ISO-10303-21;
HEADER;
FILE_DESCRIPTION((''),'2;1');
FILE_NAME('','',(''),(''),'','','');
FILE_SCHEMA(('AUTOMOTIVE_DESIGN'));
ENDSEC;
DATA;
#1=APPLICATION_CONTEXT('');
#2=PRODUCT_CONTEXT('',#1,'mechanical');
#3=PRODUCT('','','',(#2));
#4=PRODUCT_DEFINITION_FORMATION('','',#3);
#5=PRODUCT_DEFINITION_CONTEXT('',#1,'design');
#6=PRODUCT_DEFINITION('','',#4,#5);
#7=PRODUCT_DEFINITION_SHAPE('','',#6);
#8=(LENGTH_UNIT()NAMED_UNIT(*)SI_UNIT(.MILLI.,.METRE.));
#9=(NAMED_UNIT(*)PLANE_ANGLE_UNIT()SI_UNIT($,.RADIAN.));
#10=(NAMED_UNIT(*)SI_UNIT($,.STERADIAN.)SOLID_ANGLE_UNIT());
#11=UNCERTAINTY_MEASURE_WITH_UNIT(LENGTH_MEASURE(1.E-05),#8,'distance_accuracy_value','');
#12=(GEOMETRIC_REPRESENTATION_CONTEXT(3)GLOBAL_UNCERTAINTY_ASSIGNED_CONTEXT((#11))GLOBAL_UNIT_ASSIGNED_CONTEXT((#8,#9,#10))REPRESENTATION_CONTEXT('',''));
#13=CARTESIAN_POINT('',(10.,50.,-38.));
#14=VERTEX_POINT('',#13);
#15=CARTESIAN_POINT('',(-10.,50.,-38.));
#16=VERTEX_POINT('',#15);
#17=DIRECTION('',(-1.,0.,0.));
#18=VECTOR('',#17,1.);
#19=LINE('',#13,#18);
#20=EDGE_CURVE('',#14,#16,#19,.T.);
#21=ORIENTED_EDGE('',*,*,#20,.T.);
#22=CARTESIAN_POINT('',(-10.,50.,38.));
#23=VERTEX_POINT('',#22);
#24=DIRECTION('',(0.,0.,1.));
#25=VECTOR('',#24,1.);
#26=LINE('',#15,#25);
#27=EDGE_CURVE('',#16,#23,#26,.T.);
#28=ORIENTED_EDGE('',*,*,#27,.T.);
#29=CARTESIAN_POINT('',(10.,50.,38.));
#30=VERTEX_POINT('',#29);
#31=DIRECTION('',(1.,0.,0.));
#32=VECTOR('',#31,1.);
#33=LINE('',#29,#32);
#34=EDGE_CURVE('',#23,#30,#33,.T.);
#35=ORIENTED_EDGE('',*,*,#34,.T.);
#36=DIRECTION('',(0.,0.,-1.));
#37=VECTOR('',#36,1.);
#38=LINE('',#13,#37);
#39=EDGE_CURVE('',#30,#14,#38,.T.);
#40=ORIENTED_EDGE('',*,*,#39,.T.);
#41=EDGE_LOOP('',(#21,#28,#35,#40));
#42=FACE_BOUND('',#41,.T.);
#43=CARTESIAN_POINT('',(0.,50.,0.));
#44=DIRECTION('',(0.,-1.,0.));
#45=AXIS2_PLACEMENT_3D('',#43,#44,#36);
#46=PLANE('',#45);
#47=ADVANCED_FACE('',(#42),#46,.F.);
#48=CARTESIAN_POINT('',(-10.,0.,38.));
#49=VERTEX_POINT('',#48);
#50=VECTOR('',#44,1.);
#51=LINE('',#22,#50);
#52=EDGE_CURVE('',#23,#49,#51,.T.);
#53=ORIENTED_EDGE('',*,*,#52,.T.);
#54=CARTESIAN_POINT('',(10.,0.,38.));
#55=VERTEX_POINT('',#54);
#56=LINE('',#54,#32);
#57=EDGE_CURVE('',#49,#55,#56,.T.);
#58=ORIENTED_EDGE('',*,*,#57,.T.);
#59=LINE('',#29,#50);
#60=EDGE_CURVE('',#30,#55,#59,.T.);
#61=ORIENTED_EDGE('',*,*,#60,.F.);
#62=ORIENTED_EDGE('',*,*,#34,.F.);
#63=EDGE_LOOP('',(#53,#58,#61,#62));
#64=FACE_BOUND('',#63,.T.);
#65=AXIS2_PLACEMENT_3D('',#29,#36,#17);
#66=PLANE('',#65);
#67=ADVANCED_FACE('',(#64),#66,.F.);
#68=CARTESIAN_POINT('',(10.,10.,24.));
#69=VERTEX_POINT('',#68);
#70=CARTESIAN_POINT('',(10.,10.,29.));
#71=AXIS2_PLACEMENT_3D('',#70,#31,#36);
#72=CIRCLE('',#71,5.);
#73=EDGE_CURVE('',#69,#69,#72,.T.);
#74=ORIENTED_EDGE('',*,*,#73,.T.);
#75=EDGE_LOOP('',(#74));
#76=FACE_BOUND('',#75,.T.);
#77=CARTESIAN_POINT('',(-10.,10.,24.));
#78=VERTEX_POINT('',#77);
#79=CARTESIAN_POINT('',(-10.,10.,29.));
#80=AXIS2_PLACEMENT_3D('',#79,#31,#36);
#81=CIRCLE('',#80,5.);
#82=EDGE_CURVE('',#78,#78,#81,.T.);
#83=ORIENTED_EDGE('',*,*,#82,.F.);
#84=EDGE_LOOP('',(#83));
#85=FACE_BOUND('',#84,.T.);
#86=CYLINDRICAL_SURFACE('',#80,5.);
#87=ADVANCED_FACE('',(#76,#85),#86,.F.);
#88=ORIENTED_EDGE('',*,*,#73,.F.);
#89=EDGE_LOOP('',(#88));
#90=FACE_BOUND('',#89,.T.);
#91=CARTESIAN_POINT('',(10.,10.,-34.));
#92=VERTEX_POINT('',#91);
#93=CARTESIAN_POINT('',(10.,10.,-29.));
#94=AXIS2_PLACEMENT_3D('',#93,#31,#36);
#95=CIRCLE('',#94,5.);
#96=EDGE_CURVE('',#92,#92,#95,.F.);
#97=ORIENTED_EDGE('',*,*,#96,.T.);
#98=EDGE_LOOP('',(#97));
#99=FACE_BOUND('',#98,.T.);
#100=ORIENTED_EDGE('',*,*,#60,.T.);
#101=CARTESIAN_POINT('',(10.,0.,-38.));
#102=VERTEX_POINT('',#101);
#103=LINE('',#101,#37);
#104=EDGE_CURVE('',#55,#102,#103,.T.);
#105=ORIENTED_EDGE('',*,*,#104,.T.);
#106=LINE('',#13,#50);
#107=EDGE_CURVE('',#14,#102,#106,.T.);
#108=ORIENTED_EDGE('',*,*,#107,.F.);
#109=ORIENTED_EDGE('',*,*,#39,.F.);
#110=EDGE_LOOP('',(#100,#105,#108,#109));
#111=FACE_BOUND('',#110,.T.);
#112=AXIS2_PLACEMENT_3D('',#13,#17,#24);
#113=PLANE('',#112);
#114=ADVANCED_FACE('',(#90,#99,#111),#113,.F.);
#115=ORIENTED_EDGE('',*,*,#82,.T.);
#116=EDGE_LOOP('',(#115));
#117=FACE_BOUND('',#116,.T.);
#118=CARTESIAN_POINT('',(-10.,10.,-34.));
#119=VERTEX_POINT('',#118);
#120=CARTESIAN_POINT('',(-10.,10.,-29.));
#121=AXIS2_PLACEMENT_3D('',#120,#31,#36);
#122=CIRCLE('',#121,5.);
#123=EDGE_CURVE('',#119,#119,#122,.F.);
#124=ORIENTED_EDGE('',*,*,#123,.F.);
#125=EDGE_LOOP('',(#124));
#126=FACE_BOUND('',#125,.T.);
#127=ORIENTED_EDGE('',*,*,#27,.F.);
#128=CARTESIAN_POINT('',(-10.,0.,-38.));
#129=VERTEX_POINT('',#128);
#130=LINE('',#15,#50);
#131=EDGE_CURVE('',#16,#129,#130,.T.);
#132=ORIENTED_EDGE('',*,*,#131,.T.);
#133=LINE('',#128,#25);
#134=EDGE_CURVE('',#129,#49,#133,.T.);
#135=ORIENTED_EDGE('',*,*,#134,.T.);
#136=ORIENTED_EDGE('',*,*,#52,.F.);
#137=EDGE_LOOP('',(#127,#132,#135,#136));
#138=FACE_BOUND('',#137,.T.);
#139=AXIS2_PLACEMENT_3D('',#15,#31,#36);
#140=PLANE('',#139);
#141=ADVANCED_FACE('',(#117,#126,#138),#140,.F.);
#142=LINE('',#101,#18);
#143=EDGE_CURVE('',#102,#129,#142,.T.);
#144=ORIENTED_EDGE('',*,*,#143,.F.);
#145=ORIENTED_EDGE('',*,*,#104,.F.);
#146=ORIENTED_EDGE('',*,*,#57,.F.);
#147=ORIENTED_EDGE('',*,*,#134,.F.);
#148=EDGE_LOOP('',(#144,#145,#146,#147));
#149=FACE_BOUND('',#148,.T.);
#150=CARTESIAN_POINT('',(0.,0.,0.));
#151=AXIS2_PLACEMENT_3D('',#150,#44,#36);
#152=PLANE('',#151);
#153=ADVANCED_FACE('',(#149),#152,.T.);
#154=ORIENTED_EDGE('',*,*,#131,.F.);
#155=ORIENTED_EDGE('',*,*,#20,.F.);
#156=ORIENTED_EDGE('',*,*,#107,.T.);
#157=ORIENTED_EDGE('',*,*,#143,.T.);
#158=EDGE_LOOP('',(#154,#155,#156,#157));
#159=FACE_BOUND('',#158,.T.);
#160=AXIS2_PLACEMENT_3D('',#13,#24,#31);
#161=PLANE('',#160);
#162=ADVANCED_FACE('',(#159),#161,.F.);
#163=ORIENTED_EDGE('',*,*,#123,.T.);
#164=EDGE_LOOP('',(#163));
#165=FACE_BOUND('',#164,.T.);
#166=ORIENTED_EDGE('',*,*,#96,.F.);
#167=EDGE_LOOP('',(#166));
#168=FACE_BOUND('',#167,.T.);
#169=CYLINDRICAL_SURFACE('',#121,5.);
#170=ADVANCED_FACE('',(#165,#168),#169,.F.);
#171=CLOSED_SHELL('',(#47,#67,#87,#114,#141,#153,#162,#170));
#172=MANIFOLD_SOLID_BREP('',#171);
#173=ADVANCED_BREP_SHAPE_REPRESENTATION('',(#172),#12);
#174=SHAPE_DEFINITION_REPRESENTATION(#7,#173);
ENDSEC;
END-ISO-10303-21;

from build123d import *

# Parameters (mm, degrees)
SKETCH1_W           = 20
SKETCH1_H           = 76
BOSS_EXTRUDE1_DEPTH = 50
SKETCH2_R           = 5
CUT_EXTRUDE2_DEPTH  = 66.909028213


with BuildPart() as part:
    # Sketch1 → Boss-Extrude1 (new body)
    with BuildSketch(Plane(origin=(0, 0, 0), x_dir=(1, 0, 0), z_dir=(0, 1, 0))):
        Rectangle(SKETCH1_W, SKETCH1_H)
    extrude(amount=BOSS_EXTRUDE1_DEPTH)

    # Sketch2 → Cut-Extrude2 (cut, through all)
    with BuildSketch(Plane(origin=(10, 0, 0), x_dir=(0, 0, -1), z_dir=(1, 0, 0))):
        with Locations((-29, 10)):
            Circle(SKETCH2_R)
        with Locations((29, 10)):
            Circle(SKETCH2_R)
    extrude(amount=-CUT_EXTRUDE2_DEPTH, mode=Mode.SUBTRACT)


solid = part.part
